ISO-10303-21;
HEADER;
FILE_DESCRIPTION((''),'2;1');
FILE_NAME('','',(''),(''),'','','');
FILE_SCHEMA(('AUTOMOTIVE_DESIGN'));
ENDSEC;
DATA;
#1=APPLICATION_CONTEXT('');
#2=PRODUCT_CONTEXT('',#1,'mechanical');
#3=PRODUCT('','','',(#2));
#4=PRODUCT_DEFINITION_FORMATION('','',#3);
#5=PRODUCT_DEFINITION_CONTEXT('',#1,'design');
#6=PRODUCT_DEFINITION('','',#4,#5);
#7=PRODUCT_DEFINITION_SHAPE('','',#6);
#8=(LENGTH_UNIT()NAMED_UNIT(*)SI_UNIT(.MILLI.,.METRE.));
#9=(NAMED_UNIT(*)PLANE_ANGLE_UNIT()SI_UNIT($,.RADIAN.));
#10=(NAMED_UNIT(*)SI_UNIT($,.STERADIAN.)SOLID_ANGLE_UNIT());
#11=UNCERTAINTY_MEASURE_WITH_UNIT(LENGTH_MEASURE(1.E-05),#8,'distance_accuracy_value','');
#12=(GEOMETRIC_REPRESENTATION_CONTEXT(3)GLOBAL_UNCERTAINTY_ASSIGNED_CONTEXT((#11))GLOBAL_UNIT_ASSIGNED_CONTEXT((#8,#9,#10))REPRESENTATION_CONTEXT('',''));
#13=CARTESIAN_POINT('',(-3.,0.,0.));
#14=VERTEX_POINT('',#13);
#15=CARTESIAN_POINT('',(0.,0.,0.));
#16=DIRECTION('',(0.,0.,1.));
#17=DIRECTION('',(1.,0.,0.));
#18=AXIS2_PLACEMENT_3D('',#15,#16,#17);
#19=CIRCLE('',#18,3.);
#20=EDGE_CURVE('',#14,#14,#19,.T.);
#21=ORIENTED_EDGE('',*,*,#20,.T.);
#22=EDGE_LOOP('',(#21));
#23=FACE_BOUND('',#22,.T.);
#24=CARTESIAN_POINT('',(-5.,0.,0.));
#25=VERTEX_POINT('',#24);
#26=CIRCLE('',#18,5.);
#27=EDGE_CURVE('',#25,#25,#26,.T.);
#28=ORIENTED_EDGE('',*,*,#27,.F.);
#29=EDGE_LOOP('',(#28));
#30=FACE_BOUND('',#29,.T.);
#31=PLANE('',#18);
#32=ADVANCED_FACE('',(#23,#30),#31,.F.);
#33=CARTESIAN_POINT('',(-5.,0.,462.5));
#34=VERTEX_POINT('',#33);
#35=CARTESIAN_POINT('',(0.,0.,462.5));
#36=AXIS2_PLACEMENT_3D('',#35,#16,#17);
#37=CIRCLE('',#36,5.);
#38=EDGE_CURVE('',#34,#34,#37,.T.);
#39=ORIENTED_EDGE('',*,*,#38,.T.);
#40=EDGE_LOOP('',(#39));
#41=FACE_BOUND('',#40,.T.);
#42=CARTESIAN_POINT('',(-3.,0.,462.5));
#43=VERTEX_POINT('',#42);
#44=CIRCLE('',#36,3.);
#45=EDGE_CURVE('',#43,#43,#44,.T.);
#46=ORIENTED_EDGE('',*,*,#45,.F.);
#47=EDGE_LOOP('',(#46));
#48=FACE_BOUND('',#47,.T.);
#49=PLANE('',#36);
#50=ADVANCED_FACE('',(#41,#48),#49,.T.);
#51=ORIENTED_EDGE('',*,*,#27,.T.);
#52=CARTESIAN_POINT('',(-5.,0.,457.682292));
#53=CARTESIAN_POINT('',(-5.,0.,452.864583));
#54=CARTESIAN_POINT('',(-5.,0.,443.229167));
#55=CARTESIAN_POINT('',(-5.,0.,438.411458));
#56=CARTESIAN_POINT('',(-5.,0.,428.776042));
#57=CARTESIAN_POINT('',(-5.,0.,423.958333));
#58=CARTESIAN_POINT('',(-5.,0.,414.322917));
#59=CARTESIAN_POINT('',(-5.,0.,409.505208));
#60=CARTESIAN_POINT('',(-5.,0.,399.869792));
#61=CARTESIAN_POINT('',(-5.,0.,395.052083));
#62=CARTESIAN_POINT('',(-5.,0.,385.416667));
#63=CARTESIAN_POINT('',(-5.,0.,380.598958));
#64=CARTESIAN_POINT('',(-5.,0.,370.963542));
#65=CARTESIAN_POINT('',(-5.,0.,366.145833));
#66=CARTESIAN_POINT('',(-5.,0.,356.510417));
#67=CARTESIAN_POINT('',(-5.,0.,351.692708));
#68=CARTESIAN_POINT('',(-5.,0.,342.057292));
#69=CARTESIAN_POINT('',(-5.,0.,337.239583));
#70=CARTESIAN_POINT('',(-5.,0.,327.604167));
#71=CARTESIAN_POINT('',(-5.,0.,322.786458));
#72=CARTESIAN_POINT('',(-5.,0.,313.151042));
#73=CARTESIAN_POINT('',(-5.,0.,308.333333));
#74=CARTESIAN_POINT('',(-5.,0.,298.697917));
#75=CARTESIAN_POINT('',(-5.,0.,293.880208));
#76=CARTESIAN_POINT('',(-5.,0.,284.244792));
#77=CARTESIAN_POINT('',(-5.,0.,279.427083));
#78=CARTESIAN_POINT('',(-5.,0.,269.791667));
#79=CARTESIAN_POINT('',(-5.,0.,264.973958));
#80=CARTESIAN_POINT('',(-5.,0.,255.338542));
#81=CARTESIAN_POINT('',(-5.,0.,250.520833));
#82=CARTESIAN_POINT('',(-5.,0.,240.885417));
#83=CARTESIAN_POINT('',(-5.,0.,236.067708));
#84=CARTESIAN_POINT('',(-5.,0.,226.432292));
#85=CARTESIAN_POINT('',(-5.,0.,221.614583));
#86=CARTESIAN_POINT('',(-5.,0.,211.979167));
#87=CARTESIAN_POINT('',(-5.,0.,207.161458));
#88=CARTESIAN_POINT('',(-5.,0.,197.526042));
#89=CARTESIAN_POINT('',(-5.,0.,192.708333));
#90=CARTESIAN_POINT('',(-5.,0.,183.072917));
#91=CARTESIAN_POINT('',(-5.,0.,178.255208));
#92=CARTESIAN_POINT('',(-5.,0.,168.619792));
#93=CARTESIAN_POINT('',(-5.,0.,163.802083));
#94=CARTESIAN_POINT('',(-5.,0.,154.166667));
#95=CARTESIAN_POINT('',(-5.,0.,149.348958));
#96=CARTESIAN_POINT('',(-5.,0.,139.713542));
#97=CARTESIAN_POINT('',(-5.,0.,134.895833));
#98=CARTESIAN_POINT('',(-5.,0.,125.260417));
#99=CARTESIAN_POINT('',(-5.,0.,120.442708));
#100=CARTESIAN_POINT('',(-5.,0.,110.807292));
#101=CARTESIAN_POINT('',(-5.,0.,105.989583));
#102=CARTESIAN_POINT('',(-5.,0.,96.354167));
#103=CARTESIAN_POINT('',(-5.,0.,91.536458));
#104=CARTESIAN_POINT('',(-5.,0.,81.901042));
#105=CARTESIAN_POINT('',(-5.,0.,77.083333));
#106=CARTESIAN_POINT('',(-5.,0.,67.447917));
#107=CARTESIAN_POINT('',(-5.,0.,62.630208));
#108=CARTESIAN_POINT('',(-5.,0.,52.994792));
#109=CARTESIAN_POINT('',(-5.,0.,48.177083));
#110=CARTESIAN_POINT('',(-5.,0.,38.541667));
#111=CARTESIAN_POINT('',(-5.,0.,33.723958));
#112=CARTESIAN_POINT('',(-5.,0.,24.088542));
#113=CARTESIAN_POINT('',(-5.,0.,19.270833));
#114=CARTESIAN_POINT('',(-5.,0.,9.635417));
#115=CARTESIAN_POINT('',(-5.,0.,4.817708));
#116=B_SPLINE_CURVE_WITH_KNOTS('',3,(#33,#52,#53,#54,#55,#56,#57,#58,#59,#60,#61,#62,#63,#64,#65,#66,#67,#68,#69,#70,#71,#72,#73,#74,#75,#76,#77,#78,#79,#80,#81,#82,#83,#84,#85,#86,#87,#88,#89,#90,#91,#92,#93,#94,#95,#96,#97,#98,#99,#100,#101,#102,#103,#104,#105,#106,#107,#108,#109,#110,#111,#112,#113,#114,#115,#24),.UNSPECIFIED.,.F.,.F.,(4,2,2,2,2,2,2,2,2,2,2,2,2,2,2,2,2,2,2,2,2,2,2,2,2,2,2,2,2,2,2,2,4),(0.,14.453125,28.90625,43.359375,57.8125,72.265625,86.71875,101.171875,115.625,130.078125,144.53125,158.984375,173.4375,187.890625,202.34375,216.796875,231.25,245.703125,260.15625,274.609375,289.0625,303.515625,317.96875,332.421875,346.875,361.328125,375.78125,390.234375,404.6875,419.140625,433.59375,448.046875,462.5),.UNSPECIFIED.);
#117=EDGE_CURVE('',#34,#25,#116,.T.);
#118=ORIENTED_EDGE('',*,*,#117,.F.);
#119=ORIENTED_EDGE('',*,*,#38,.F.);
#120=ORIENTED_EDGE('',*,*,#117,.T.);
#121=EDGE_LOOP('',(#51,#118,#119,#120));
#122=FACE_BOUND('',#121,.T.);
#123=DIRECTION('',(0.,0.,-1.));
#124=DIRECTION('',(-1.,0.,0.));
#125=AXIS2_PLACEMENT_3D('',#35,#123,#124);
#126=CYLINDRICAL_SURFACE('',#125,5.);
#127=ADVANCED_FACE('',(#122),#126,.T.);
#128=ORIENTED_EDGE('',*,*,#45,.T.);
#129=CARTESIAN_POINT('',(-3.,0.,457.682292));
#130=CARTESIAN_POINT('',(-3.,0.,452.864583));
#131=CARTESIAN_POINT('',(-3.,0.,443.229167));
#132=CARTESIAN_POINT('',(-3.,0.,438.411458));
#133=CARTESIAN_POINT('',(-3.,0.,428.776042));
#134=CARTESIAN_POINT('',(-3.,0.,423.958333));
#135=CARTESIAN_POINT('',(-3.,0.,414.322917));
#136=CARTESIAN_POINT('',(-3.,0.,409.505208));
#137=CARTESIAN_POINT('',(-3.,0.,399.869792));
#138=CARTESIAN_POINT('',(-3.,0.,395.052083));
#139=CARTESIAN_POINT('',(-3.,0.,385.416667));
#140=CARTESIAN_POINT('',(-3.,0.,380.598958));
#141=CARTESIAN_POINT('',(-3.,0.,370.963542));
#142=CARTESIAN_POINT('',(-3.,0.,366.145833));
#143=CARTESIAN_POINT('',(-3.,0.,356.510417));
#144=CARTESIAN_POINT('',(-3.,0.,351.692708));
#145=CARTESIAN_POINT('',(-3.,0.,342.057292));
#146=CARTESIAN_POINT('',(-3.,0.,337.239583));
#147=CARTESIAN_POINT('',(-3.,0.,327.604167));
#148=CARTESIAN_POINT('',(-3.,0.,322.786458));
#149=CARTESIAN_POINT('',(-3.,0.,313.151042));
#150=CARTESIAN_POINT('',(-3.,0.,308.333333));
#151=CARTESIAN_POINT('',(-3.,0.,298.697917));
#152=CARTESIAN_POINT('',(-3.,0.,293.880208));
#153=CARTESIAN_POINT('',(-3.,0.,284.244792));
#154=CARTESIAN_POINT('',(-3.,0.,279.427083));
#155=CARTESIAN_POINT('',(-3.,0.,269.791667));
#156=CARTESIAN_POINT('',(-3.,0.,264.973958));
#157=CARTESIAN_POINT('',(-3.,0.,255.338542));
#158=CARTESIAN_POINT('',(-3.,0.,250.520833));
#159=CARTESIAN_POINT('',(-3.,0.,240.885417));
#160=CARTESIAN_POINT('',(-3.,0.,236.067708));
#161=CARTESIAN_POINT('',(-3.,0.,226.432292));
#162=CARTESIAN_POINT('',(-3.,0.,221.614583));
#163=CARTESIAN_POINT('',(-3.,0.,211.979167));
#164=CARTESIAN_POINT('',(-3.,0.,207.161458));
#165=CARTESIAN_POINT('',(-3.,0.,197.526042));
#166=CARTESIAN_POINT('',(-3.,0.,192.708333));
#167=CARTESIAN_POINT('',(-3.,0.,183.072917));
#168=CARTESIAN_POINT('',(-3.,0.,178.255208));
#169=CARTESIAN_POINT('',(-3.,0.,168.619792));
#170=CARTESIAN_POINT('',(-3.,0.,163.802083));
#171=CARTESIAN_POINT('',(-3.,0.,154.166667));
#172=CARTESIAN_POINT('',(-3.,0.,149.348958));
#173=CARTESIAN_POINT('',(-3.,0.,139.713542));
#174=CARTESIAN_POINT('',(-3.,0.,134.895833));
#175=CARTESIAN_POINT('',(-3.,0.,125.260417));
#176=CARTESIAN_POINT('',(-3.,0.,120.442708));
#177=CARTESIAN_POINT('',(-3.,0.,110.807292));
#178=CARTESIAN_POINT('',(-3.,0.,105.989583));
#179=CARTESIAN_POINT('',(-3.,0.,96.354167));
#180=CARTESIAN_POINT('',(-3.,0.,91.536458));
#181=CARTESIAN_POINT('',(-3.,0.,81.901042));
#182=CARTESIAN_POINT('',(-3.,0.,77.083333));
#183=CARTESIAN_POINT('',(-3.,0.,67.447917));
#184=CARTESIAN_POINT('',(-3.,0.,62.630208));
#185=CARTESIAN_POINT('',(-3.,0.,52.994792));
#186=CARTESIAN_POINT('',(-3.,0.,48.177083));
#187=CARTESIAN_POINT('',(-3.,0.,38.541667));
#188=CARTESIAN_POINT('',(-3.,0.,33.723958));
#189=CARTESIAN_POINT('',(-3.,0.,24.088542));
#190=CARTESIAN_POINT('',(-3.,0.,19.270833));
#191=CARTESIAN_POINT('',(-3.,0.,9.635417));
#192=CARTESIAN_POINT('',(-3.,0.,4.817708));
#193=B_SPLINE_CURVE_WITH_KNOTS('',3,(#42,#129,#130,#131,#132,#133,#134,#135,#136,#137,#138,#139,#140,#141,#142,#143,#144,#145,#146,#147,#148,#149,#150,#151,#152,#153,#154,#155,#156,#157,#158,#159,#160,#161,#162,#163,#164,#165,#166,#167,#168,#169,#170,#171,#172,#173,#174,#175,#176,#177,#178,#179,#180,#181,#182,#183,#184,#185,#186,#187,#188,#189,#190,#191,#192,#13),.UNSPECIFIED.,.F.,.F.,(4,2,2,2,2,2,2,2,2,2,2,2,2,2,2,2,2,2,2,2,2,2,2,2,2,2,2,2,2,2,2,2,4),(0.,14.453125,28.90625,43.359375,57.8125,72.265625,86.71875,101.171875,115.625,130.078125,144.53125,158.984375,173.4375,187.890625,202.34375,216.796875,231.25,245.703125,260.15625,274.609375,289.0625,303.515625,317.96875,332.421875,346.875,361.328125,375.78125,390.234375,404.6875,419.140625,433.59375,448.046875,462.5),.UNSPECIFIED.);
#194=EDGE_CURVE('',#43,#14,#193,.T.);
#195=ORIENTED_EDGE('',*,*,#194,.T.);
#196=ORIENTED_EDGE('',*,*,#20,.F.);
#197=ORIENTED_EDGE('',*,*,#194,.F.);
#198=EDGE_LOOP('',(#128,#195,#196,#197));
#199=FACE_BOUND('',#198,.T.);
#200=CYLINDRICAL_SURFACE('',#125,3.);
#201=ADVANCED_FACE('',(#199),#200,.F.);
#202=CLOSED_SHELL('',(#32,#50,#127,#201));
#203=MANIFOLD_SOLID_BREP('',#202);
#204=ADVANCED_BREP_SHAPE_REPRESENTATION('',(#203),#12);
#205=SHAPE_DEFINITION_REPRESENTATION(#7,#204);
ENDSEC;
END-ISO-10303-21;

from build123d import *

# Parameters (mm, degrees)
SKETCH_1_R      = 5
SKETCH_1_R_2    = 3
EXTRUDE_1_DEPTH = 462.5


with BuildPart() as part:
    # 草图1 → 凸台-拉伸1 (new body)
    with BuildSketch(Plane.XY):
        with Locations(Location((0, 0, 0), (0, 0, 180))):
            Circle(SKETCH_1_R)
        with Locations(Location((0, 0, 0), (0, 0, 180))):
            Circle(SKETCH_1_R_2, mode=Mode.SUBTRACT)
    extrude(amount=EXTRUDE_1_DEPTH)


solid = part.part
